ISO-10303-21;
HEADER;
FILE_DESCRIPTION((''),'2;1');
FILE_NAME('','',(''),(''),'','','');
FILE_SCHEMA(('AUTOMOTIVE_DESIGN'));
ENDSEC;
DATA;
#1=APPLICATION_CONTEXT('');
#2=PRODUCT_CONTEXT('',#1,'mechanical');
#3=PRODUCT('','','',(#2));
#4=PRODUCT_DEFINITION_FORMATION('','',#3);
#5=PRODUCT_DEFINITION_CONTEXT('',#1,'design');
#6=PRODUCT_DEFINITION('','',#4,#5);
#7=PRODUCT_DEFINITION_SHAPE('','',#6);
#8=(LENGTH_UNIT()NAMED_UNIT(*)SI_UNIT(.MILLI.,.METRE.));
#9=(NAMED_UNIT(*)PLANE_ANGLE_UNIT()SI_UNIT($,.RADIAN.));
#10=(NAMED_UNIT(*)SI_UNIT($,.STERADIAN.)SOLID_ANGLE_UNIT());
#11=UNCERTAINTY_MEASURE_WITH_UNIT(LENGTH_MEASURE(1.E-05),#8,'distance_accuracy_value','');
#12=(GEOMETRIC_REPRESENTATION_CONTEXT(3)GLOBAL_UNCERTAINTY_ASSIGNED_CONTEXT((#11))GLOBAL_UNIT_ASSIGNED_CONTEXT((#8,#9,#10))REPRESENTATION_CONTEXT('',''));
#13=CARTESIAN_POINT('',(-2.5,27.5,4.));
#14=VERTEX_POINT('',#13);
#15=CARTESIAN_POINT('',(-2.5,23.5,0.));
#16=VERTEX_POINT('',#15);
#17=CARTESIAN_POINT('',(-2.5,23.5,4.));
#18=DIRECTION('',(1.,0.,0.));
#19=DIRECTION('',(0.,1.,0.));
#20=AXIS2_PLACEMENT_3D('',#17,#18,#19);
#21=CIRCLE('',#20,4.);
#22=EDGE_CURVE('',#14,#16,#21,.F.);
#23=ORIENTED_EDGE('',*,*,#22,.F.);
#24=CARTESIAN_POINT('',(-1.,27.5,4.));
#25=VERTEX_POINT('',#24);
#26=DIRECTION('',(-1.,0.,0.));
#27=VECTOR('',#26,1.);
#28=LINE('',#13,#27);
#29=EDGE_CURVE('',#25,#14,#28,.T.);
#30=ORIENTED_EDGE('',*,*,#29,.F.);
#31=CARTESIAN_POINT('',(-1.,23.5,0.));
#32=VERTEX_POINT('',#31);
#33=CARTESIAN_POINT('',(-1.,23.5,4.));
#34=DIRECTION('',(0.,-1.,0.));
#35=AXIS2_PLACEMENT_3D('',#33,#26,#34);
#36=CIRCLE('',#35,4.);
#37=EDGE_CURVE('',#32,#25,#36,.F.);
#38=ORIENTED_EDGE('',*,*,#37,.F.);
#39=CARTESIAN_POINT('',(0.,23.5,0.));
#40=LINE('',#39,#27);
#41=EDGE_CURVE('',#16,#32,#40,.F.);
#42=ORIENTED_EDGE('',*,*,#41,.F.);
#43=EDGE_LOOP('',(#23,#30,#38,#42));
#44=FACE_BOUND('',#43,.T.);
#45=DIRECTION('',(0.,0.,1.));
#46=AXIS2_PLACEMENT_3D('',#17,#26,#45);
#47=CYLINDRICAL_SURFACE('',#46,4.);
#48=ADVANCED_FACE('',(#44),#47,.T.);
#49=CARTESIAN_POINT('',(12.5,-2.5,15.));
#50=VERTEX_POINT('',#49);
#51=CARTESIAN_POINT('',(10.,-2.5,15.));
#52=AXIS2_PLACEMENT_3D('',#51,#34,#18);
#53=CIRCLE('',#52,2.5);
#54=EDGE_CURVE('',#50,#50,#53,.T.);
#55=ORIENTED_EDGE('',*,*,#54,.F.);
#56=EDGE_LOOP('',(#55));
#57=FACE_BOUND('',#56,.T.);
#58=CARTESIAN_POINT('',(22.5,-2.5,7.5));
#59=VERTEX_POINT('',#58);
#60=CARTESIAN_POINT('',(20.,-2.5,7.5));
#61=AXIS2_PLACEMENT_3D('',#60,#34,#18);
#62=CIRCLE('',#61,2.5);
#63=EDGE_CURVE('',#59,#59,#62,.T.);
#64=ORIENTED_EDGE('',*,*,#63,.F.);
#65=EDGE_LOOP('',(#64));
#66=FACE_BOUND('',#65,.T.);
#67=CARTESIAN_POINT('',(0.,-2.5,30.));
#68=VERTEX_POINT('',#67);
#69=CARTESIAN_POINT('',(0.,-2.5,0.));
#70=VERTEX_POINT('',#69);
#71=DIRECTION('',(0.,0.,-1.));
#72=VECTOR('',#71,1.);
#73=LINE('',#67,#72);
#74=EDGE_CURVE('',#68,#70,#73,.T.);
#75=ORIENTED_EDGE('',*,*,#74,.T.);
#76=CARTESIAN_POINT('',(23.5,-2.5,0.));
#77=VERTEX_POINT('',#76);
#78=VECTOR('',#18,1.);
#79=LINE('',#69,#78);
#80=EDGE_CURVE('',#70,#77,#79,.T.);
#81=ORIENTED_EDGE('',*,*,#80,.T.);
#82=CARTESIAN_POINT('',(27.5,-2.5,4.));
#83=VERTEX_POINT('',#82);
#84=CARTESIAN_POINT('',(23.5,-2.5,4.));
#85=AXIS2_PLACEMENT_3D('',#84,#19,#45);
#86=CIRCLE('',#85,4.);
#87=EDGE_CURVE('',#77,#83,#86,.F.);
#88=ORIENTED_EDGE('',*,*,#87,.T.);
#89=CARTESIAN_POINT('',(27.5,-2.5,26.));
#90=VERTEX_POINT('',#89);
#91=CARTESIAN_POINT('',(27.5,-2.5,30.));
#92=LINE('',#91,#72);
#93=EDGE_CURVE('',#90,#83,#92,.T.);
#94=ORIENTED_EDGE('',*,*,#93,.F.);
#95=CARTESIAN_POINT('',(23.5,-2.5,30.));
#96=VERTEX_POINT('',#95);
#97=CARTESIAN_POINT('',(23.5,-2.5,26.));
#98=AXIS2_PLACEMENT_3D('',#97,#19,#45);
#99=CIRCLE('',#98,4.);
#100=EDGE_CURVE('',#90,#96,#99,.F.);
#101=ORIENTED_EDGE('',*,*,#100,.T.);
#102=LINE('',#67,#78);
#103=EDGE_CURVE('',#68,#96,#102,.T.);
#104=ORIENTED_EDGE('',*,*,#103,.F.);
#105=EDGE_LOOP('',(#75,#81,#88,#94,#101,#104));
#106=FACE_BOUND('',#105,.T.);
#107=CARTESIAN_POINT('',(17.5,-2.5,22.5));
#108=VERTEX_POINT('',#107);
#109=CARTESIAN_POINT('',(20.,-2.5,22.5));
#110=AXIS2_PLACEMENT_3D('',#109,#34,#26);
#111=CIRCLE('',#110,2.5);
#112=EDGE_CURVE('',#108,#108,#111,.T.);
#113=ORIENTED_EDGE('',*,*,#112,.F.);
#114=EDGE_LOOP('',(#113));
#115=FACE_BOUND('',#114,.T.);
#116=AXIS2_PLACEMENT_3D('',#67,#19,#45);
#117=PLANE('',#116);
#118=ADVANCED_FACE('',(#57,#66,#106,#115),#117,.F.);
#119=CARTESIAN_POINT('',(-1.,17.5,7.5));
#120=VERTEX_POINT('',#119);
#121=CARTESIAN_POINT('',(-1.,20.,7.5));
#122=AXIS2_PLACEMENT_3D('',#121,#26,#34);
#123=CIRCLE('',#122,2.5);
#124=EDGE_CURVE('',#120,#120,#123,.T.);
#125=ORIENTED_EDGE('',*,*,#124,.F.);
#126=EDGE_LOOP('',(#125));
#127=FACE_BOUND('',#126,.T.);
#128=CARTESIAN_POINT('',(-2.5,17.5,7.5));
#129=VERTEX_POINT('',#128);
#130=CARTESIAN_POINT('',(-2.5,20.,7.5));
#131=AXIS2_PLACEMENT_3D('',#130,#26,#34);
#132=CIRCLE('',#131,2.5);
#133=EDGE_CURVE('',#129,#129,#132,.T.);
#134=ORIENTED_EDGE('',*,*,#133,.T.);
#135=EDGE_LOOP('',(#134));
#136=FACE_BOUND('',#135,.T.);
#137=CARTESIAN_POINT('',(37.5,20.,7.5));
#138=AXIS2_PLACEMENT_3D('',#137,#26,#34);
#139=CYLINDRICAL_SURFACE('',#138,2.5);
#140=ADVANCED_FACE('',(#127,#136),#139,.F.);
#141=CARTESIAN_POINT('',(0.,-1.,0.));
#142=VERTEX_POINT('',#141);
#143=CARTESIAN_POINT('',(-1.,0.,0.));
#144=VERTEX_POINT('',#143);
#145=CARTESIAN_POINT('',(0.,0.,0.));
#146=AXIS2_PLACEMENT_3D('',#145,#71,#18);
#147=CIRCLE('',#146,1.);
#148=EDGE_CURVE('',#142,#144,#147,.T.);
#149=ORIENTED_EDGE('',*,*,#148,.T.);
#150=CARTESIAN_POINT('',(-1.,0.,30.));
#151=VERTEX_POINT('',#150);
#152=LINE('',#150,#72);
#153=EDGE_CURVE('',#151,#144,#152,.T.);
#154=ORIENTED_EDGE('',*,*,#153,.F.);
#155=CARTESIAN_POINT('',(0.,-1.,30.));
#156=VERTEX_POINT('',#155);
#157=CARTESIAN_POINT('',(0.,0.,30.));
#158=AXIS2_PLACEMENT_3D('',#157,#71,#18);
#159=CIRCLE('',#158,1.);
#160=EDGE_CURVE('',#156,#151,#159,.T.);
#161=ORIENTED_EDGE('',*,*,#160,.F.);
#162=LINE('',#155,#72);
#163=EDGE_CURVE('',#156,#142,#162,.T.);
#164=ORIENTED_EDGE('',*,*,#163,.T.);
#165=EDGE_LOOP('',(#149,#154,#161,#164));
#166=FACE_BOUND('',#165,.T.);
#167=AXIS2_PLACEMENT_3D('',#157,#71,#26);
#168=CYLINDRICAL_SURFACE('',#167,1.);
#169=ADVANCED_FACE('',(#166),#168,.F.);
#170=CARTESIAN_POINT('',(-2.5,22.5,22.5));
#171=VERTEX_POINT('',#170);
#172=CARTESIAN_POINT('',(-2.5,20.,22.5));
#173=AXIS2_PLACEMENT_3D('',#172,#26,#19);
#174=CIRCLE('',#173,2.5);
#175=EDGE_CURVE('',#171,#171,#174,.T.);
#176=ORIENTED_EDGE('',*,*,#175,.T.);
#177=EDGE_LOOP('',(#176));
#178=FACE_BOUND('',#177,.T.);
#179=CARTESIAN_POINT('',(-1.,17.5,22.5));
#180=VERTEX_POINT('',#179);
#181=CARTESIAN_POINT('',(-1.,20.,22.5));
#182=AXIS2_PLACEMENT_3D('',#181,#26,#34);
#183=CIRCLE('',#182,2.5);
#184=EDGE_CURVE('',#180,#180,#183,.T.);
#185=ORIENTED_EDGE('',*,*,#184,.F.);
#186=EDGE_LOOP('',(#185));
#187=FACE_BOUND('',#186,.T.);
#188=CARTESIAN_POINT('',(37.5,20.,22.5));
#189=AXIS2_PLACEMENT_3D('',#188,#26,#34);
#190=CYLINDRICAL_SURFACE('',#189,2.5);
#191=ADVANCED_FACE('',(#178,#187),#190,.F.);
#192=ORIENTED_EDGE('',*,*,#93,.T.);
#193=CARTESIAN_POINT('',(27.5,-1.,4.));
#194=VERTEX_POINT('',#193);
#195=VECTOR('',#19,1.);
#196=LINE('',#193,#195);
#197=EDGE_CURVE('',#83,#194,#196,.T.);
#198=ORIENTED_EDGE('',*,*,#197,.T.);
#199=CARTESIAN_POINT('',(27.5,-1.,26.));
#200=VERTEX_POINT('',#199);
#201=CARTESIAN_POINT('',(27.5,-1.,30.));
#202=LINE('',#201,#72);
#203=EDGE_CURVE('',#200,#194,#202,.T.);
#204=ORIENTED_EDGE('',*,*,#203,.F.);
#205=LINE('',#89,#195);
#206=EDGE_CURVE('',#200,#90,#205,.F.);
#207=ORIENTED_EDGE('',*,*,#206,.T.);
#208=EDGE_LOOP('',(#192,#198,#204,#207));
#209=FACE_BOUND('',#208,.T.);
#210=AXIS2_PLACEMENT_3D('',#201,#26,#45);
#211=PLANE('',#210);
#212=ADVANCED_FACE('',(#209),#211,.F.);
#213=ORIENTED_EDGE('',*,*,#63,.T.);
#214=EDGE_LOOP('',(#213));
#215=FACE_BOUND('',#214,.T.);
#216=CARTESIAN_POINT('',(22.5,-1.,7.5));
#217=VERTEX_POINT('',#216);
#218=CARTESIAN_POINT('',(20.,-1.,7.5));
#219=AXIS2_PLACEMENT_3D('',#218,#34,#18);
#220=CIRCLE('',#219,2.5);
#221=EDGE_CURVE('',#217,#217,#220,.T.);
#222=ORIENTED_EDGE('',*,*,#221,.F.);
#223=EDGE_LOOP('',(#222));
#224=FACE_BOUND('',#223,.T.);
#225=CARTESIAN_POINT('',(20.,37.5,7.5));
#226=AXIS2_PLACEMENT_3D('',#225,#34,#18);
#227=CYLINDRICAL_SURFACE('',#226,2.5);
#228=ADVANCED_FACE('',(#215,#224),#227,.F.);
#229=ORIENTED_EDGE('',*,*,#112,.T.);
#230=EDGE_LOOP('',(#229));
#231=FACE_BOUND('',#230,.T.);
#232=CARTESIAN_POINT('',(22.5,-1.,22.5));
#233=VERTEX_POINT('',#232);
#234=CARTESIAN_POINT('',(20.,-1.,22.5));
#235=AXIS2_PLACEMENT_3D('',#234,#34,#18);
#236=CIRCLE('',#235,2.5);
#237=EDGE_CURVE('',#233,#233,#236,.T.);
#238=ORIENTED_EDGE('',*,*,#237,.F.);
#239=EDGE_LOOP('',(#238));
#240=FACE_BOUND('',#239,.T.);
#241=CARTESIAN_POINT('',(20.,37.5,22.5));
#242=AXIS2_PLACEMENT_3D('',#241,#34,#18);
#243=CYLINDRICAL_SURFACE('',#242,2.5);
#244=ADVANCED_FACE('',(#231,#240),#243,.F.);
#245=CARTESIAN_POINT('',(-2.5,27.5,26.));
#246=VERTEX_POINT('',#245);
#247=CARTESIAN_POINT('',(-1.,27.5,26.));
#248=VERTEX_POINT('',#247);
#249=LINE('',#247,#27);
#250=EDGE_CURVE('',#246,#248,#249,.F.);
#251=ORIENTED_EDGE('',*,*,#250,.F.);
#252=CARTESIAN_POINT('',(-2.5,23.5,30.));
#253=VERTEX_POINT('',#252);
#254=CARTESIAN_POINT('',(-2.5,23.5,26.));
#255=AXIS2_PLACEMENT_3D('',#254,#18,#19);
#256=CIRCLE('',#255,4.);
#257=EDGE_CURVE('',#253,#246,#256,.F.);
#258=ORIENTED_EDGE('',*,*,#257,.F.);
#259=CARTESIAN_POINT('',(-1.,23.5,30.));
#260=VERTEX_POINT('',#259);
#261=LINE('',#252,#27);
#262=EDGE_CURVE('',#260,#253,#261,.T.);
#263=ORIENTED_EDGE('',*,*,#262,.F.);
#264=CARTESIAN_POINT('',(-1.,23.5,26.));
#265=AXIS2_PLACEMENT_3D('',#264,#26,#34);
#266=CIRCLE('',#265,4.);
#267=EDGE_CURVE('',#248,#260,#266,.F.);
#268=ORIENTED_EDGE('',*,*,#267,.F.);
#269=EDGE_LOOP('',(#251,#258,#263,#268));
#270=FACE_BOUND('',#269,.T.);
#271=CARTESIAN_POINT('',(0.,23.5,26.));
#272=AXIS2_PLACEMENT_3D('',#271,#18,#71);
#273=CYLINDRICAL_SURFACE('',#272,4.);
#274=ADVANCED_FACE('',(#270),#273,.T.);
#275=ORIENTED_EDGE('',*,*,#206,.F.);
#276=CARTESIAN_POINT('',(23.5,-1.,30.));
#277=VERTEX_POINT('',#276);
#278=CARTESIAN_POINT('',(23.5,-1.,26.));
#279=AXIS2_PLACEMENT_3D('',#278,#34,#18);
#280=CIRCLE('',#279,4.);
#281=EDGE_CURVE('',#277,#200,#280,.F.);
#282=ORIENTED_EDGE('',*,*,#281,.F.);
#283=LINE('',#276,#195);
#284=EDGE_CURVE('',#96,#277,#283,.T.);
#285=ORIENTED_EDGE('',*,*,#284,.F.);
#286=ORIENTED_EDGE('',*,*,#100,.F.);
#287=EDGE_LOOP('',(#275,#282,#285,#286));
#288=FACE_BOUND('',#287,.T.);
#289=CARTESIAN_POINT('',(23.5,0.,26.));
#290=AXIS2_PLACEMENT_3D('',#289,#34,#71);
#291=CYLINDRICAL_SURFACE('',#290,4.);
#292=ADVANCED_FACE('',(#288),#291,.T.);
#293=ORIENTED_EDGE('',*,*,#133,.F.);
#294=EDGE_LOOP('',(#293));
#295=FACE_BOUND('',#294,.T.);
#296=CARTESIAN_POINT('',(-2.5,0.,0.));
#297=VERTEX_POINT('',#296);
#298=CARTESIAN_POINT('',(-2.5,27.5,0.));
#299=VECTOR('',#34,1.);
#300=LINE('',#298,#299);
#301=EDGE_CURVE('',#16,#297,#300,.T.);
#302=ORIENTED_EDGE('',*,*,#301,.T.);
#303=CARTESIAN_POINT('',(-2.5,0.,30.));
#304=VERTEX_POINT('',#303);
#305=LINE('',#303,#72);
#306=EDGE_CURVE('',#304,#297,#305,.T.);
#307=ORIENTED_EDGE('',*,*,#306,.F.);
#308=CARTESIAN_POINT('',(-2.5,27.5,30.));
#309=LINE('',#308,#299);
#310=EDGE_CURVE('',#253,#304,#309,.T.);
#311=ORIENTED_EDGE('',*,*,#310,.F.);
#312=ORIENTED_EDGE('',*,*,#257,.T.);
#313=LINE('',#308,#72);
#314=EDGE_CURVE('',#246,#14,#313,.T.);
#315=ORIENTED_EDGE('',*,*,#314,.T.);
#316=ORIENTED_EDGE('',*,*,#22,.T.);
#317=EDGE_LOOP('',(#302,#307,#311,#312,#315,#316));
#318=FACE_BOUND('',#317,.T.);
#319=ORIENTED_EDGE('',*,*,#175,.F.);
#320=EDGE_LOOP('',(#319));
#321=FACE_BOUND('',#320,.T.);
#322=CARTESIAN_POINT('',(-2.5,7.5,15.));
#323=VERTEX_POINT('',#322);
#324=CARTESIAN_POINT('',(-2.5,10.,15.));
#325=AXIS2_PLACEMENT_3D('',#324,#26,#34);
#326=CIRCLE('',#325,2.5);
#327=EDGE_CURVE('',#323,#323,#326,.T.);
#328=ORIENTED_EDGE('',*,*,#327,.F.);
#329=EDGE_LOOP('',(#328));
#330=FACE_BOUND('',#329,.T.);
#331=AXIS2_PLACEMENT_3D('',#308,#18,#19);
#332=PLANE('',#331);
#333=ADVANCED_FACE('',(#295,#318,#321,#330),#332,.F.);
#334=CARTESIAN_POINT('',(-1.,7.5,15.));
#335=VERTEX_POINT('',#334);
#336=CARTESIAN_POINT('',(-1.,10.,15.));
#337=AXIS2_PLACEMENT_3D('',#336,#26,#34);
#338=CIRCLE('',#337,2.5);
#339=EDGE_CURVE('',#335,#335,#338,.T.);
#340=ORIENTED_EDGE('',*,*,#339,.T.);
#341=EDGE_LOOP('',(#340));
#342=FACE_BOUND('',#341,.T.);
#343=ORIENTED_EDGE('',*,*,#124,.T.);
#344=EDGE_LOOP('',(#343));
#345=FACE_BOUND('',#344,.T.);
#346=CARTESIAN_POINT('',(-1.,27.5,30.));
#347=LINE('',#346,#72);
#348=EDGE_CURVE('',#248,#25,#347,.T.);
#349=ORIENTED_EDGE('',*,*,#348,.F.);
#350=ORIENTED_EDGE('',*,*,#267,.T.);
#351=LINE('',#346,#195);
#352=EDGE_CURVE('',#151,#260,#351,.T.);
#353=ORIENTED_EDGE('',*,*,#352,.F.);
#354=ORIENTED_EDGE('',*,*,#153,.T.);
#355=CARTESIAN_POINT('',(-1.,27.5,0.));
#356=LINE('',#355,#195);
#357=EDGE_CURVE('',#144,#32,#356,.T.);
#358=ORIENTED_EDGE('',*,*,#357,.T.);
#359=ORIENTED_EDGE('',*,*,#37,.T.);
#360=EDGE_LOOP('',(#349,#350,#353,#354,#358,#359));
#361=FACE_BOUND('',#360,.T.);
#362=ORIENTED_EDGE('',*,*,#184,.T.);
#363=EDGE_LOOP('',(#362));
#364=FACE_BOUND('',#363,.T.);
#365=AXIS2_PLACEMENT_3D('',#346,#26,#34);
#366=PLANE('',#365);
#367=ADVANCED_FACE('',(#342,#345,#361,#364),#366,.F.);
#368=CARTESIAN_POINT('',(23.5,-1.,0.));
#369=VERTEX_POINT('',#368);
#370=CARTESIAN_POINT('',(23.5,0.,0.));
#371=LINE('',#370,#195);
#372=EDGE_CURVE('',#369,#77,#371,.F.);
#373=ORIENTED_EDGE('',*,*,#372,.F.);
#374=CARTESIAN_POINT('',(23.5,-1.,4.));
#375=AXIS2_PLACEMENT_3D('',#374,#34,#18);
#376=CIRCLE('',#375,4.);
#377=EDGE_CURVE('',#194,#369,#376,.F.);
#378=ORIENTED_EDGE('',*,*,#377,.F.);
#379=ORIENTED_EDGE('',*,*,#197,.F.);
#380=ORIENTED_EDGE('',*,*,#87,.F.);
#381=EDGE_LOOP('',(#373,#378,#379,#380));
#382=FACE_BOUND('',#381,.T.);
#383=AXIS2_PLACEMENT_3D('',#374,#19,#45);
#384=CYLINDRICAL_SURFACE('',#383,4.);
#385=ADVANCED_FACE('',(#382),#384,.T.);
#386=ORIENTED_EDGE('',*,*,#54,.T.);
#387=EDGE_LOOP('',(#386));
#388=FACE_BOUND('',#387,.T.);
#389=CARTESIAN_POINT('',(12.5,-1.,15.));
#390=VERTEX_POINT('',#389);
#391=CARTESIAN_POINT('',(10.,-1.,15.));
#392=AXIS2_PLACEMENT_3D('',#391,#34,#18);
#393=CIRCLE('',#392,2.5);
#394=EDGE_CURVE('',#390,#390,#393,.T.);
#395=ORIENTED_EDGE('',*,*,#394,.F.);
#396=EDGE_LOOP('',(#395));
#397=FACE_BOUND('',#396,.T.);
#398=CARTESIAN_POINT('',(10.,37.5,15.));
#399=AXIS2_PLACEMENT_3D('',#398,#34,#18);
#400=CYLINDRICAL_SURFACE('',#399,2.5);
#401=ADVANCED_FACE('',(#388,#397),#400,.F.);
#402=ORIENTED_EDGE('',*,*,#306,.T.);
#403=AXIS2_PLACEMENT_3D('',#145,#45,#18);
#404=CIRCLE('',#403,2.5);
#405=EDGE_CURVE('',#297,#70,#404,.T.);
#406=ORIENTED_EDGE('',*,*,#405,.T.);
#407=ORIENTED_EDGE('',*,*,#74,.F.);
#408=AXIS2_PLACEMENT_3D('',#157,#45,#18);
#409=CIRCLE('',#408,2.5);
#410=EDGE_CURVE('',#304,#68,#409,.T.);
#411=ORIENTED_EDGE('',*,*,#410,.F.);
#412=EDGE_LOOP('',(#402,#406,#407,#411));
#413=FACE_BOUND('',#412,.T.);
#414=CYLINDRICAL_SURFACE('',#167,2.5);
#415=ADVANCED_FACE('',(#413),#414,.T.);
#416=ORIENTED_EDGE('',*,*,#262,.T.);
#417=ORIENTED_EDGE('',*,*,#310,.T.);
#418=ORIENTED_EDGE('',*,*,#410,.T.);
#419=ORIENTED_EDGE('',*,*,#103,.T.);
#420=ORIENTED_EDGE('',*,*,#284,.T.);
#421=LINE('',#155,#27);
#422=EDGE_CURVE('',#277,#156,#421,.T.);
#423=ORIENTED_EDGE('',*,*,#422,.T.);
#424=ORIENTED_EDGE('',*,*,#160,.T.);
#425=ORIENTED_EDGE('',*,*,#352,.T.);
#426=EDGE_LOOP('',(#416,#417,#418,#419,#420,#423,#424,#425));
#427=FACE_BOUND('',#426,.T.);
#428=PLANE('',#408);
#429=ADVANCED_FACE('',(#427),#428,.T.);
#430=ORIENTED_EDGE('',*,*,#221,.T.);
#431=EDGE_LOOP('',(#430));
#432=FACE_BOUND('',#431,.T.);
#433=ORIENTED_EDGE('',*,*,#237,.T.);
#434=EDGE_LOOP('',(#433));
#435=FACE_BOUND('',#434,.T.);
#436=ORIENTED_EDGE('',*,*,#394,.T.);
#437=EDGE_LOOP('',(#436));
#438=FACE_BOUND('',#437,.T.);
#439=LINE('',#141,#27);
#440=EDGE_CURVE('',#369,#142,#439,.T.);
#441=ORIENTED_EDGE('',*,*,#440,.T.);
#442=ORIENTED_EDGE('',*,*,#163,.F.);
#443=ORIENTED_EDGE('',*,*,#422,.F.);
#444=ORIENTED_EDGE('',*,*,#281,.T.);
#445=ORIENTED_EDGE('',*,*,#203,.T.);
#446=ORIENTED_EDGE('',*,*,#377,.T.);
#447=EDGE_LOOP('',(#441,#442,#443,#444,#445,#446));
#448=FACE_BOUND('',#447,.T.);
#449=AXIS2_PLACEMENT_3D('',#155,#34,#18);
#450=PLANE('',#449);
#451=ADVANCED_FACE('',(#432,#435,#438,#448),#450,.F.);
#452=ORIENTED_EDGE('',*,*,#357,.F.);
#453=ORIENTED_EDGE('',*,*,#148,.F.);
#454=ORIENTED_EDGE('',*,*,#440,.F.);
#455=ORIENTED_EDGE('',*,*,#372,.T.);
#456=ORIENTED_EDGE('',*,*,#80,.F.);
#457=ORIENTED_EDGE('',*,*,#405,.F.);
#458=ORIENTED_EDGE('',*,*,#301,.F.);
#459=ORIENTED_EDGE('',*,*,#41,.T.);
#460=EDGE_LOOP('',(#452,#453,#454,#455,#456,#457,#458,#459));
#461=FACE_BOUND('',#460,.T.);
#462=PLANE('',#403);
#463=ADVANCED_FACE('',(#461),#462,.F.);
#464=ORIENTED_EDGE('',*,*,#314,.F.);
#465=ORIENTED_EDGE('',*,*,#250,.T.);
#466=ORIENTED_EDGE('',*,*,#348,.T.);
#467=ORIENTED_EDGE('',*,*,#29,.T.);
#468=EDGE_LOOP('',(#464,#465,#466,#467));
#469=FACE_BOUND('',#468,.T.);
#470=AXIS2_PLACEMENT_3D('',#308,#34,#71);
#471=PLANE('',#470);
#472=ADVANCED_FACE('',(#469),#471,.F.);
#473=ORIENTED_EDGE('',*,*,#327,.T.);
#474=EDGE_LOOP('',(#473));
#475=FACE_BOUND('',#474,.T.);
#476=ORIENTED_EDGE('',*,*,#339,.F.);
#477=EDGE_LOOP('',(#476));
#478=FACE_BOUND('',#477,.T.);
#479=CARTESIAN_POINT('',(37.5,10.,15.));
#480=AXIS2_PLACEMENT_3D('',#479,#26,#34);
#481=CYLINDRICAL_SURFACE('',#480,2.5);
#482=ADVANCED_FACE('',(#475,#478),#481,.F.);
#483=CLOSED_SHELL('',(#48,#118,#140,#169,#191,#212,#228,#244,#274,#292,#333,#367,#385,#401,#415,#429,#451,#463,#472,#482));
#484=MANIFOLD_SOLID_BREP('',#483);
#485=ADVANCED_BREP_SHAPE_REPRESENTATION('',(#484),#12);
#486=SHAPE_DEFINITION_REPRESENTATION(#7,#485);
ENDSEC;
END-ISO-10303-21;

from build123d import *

# Parameters (mm, degrees)
EXTRUDE_1_DEPTH     = 30
SKETCH_2_R          = 2.5
CUT_EXTRUDE_1_DEPTH = 40
SKETCH_3_R          = 2.5
CUT_EXTRUDE_2_DEPTH = 40
FILLET_1_R          = 4


with BuildPart() as part:
    # Эскиз1 → Бобышка-Вытянуть1 (new body)
    with BuildSketch(Plane.XY):
        with BuildLine():
            Line((-2.5, 27.5), (-2.5, 0))
            ThreePointArc((-2.5, 0), (-1.767766953, -1.767766953), (0, -2.5))
            Line((0, -2.5), (27.5, -2.5))
            Line((27.5, -2.5), (27.5, -1))
            Line((27.5, -1), (0, -1))
            ThreePointArc((0, -1), (-0.707106781, -0.707106781), (-1, 0))
            Line((-1, 0), (-1, 27.5))
            Line((-1, 27.5), (-2.5, 27.5))
        make_face()
    extrude(amount=EXTRUDE_1_DEPTH)

    # Эскиз2 → Вырез-Вытянуть1 (cut)
    with BuildSketch(Plane.ZY.offset(2.5)):
        with Locations(Location((7.5, 20, 0), (0, 0, 270))):
            Circle(SKETCH_2_R)
        with Locations(Location((22.5, 20, 0), (0, 0, 270))):
            Circle(SKETCH_2_R)
        with Locations(Location((15, 10, 0), (0, 0, 270))):
            Circle(SKETCH_2_R)
    extrude(amount=-CUT_EXTRUDE_1_DEPTH, mode=Mode.SUBTRACT)

    # Эскиз3 → Вырез-Вытянуть2 (cut)
    with BuildSketch(Plane.XZ.offset(2.5)):
        with Locations((20, 7.5)):
            Circle(SKETCH_3_R)
        with Locations((20, 22.5)):
            Circle(SKETCH_3_R)
        with Locations((10, 15)):
            Circle(SKETCH_3_R)
    extrude(amount=-CUT_EXTRUDE_2_DEPTH, mode=Mode.SUBTRACT)

    # Скругление1
    fillet_1_edges = [part.edges().sort_by_distance(p)[0] for p in [
        (-1.75, 27.5, 0),
        (27.5, -1.75, 30),
        (-1.75, 27.5, 30),
        (27.5, -1.75, 0),
    ]]
    fillet(fillet_1_edges, radius=FILLET_1_R)


solid = part.part
